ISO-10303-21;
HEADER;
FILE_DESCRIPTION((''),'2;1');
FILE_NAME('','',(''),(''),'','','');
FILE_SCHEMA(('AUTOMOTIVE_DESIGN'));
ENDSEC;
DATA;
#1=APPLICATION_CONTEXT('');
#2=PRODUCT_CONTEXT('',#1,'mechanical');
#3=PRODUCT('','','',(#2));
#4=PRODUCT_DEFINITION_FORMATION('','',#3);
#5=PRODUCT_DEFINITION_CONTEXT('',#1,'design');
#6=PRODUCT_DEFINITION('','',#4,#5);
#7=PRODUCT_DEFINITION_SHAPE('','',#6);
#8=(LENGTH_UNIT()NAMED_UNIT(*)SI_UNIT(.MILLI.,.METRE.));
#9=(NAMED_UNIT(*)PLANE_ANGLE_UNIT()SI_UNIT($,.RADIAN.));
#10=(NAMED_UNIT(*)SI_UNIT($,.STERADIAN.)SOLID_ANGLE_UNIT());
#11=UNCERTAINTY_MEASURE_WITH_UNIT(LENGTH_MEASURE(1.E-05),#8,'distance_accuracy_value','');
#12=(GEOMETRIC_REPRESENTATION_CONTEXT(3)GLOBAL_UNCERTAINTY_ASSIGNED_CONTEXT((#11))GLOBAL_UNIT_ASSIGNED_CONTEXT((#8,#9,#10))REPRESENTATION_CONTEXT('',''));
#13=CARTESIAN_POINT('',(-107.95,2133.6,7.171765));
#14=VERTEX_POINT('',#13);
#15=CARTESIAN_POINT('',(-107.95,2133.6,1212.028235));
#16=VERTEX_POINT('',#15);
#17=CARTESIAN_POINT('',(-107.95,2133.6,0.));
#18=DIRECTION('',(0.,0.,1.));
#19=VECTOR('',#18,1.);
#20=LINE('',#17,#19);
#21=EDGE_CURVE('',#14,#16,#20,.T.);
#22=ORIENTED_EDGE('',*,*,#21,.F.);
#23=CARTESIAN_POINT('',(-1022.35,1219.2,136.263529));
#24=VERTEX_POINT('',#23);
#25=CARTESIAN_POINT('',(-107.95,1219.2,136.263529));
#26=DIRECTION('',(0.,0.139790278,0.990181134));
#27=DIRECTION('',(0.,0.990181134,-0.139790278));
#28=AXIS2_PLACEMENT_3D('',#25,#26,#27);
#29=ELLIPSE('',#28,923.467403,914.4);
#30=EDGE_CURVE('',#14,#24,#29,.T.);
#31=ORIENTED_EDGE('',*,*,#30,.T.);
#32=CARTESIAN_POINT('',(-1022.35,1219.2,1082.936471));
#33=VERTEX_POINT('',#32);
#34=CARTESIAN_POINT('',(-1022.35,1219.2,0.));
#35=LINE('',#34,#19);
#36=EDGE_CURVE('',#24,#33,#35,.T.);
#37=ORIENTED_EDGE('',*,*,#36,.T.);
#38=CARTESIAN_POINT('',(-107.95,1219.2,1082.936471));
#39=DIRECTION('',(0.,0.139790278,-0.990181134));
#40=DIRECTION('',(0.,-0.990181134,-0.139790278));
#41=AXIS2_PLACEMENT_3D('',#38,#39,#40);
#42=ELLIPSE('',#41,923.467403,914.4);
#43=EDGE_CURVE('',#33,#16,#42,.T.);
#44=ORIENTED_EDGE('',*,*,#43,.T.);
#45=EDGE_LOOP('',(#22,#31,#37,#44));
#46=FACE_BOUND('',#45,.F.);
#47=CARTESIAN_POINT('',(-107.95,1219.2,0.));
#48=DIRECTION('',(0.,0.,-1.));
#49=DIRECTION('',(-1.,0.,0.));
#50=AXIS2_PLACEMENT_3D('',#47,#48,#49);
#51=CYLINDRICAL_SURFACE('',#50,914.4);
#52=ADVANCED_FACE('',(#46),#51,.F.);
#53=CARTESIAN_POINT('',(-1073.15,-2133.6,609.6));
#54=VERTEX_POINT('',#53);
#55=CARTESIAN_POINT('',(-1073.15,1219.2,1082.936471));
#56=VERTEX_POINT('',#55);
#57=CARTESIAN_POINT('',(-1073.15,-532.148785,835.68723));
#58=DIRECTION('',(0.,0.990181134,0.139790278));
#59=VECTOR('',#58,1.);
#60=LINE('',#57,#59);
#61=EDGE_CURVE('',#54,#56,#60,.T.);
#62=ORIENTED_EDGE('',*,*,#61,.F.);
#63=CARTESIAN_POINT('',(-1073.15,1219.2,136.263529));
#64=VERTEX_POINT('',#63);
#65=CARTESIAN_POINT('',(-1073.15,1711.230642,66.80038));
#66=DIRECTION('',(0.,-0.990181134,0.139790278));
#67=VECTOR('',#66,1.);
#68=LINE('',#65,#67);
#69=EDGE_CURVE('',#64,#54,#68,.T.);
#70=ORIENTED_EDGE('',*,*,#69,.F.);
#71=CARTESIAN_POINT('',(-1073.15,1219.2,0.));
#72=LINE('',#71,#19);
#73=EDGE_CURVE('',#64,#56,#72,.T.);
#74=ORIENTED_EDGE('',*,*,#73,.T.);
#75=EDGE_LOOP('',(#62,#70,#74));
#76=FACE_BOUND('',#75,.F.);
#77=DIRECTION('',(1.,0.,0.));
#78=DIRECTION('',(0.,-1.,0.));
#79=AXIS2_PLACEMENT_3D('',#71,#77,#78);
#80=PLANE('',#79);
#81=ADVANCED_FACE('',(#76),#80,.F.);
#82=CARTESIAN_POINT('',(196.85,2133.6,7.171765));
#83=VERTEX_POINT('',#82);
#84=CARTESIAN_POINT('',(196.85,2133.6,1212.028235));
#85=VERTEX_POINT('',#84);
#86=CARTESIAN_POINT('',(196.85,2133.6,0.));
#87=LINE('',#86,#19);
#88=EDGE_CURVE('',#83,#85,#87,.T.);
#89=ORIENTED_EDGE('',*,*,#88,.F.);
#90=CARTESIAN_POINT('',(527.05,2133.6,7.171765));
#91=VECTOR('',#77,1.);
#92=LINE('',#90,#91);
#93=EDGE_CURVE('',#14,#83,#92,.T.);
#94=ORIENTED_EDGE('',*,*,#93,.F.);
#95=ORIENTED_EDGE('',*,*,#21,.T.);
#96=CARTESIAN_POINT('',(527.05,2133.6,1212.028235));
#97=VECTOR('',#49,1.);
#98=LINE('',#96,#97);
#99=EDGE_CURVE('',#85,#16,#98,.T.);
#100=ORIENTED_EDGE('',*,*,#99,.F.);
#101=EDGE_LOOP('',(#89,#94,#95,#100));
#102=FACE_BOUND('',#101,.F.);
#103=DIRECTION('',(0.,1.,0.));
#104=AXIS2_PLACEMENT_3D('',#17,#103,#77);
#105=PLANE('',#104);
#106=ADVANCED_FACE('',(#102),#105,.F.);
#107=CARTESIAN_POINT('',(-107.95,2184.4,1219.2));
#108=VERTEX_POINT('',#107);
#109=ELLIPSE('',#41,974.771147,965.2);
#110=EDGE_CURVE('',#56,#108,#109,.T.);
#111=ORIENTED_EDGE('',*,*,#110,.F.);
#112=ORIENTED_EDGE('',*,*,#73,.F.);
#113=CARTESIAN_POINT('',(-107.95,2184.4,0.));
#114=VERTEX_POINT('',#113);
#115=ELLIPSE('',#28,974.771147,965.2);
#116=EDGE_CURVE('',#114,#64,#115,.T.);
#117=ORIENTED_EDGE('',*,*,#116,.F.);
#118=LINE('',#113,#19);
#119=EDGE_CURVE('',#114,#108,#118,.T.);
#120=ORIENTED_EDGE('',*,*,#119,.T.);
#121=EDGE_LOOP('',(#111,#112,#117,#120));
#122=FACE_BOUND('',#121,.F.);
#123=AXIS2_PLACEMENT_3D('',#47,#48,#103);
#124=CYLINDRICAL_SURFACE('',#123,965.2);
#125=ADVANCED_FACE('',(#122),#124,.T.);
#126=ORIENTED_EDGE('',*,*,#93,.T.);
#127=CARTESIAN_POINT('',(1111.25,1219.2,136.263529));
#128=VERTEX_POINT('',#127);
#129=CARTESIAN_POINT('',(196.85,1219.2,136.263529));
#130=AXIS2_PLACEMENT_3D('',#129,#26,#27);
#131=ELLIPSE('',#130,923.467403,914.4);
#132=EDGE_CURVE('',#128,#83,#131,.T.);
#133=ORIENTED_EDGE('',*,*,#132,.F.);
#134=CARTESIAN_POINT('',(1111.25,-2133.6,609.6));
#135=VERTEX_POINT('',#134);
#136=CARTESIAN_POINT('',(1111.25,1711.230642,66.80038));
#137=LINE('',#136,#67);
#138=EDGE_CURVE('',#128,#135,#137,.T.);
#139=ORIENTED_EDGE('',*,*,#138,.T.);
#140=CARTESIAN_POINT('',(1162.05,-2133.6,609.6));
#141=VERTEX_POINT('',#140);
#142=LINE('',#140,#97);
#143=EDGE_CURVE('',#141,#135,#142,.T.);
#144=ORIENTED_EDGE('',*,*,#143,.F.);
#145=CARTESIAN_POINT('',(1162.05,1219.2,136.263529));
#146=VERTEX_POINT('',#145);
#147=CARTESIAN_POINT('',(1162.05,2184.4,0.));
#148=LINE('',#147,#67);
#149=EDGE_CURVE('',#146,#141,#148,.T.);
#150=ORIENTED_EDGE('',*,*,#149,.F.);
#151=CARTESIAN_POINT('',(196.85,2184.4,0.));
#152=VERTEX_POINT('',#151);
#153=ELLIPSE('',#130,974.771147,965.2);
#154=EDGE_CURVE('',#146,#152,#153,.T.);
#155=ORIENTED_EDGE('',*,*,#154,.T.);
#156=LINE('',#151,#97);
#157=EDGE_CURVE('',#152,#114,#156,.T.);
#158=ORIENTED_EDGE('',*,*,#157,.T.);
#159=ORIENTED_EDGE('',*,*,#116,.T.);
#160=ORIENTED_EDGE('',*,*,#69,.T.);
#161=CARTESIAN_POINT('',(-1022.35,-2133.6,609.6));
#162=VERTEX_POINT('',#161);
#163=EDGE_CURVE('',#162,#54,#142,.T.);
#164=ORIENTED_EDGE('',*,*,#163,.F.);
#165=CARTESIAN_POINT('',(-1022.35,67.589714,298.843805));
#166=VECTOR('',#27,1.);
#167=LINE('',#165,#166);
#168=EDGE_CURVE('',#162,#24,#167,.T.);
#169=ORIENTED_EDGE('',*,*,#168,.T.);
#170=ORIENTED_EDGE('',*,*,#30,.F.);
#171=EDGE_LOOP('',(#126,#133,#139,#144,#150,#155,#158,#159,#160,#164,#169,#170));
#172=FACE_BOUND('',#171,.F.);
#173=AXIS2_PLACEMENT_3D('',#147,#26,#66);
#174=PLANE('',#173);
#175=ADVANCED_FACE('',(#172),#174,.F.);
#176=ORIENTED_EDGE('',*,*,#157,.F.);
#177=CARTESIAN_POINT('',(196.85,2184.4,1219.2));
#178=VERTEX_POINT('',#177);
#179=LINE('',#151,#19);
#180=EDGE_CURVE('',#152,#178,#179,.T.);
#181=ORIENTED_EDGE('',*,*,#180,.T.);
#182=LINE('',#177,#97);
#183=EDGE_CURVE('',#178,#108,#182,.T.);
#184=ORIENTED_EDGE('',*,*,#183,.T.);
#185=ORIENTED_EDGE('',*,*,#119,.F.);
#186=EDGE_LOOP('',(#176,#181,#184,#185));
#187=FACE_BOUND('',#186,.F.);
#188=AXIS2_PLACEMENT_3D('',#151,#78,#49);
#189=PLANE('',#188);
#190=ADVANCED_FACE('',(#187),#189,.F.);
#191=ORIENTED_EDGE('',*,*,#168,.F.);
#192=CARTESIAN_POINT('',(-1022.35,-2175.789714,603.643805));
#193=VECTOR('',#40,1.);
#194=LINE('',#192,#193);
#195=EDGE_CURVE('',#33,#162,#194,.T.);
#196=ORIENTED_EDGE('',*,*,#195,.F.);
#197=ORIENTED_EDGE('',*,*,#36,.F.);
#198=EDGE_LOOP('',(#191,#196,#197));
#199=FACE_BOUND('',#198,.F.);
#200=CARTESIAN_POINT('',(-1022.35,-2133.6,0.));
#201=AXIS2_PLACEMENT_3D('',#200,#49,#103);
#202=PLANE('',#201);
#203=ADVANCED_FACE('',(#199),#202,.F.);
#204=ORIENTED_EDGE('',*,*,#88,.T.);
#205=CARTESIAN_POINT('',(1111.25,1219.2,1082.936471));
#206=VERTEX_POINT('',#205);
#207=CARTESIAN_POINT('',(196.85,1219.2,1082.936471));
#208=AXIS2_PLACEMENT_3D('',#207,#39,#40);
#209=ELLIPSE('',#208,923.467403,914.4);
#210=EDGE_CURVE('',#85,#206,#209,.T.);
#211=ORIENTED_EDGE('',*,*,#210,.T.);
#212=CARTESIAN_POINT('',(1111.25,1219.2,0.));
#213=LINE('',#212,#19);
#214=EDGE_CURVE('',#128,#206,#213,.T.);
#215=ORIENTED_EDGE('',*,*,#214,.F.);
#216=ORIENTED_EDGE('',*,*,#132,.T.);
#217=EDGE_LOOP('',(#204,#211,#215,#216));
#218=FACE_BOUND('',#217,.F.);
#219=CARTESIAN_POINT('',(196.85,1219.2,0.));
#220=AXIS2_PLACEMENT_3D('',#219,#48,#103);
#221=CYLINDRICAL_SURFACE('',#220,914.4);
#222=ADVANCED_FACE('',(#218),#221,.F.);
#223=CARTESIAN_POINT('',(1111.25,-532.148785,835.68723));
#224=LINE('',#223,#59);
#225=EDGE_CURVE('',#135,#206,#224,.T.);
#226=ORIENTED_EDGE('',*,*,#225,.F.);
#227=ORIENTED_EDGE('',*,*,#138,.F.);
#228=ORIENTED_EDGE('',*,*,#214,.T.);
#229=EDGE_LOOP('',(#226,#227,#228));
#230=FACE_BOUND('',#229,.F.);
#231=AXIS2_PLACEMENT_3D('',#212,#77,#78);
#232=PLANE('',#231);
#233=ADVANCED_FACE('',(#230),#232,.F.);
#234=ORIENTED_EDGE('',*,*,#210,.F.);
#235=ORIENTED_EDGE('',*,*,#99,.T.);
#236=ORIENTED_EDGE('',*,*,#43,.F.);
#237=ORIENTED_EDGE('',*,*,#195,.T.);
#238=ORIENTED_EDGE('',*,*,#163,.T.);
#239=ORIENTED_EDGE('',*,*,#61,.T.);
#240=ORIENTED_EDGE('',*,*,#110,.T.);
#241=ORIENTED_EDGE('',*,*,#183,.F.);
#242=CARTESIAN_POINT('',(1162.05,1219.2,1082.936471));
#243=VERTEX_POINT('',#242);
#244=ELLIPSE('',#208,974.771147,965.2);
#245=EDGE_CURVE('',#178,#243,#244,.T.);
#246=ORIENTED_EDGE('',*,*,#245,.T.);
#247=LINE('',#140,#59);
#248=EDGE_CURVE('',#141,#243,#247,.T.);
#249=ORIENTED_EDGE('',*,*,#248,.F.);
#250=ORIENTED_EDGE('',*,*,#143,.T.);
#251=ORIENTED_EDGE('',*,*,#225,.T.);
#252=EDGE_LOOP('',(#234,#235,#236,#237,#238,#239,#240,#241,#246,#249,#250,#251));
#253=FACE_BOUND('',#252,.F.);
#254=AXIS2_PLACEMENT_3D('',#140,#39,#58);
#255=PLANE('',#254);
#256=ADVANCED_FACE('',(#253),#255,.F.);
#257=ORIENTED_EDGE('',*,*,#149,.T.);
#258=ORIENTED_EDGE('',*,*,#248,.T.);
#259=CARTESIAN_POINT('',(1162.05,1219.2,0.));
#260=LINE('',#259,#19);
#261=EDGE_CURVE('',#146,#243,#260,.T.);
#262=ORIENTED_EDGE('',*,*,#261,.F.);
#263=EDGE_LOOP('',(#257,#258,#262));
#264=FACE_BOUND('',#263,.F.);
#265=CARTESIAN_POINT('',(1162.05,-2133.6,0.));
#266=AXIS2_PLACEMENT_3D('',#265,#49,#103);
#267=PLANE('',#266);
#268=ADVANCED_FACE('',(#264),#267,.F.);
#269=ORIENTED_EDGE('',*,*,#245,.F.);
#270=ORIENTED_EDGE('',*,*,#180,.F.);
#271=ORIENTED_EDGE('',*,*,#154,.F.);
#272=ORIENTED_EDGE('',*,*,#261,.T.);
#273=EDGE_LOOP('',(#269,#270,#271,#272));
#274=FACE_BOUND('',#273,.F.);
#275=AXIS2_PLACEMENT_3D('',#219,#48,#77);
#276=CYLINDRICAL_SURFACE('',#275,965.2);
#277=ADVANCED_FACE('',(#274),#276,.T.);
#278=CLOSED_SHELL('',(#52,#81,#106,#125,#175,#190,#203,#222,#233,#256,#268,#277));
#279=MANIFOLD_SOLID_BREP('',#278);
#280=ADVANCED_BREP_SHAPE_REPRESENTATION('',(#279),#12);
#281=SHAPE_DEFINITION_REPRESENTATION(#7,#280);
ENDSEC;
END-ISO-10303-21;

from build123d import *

# Parameters (mm, degrees)
F1_DEPTH = 1219.2
F3_DEPTH = 2235.201


with BuildPart() as f1:
    # F0 (on Top) → F1 (new body)
    with BuildSketch(Plane.XY):
        with BuildLine():
            ThreePointArc((-1022.35, 1219.2), (-754.528440717, 1865.778440717), (-107.95, 2133.6))
            Line((-107.95, 2133.6), (196.85, 2133.6))
            ThreePointArc((196.85, 2133.6), (843.428440717, 1865.778440717), (1111.25, 1219.2))
            Line((1111.25, 1219.2), (1111.25, -2133.6))
            Line((1111.25, -2133.6), (1162.05, -2133.6))
            Line((1162.05, -2133.6), (1162.05, 1219.2))
            ThreePointArc((1162.05, 1219.2), (879.3494652013, 1901.6994652013), (196.85, 2184.4))
            Line((196.85, 2184.4), (-107.95, 2184.4))
            ThreePointArc((-107.95, 2184.4), (-790.4494652013, 1901.6994652013), (-1073.15, 1219.2))
            Line((-1073.15, 1219.2), (-1073.15, -2133.6))
            Line((-1073.15, -2133.6), (-1022.35, -2133.6))
            Line((-1022.35, -2133.6), (-1022.35, 1219.2))
        make_face()
    extrude(amount=F1_DEPTH)

    # F2 (on face) → F3 (cut, through all)
    with BuildSketch(Plane.YZ.offset(1162.05)):
        Polygon((1219.2, 1082.9364705882), (1219.2, 1219.2), (-2133.6, 1219.2), (-2133.6, 609.6), align=None)
        Polygon((1219.2, 1082.9364705882), (2184.4, 1219.2), (1219.2, 1219.2), align=None)
        Polygon((1219.2, 136.2635294118), (-2133.6, 609.6), (-2133.6, 0), (1219.2, 0), align=None)
        Polygon((1219.2, 0), (2184.4, 0), (1219.2, 136.2635294118), align=None)
    extrude(amount=-F3_DEPTH, mode=Mode.SUBTRACT)


solid = f1.part
